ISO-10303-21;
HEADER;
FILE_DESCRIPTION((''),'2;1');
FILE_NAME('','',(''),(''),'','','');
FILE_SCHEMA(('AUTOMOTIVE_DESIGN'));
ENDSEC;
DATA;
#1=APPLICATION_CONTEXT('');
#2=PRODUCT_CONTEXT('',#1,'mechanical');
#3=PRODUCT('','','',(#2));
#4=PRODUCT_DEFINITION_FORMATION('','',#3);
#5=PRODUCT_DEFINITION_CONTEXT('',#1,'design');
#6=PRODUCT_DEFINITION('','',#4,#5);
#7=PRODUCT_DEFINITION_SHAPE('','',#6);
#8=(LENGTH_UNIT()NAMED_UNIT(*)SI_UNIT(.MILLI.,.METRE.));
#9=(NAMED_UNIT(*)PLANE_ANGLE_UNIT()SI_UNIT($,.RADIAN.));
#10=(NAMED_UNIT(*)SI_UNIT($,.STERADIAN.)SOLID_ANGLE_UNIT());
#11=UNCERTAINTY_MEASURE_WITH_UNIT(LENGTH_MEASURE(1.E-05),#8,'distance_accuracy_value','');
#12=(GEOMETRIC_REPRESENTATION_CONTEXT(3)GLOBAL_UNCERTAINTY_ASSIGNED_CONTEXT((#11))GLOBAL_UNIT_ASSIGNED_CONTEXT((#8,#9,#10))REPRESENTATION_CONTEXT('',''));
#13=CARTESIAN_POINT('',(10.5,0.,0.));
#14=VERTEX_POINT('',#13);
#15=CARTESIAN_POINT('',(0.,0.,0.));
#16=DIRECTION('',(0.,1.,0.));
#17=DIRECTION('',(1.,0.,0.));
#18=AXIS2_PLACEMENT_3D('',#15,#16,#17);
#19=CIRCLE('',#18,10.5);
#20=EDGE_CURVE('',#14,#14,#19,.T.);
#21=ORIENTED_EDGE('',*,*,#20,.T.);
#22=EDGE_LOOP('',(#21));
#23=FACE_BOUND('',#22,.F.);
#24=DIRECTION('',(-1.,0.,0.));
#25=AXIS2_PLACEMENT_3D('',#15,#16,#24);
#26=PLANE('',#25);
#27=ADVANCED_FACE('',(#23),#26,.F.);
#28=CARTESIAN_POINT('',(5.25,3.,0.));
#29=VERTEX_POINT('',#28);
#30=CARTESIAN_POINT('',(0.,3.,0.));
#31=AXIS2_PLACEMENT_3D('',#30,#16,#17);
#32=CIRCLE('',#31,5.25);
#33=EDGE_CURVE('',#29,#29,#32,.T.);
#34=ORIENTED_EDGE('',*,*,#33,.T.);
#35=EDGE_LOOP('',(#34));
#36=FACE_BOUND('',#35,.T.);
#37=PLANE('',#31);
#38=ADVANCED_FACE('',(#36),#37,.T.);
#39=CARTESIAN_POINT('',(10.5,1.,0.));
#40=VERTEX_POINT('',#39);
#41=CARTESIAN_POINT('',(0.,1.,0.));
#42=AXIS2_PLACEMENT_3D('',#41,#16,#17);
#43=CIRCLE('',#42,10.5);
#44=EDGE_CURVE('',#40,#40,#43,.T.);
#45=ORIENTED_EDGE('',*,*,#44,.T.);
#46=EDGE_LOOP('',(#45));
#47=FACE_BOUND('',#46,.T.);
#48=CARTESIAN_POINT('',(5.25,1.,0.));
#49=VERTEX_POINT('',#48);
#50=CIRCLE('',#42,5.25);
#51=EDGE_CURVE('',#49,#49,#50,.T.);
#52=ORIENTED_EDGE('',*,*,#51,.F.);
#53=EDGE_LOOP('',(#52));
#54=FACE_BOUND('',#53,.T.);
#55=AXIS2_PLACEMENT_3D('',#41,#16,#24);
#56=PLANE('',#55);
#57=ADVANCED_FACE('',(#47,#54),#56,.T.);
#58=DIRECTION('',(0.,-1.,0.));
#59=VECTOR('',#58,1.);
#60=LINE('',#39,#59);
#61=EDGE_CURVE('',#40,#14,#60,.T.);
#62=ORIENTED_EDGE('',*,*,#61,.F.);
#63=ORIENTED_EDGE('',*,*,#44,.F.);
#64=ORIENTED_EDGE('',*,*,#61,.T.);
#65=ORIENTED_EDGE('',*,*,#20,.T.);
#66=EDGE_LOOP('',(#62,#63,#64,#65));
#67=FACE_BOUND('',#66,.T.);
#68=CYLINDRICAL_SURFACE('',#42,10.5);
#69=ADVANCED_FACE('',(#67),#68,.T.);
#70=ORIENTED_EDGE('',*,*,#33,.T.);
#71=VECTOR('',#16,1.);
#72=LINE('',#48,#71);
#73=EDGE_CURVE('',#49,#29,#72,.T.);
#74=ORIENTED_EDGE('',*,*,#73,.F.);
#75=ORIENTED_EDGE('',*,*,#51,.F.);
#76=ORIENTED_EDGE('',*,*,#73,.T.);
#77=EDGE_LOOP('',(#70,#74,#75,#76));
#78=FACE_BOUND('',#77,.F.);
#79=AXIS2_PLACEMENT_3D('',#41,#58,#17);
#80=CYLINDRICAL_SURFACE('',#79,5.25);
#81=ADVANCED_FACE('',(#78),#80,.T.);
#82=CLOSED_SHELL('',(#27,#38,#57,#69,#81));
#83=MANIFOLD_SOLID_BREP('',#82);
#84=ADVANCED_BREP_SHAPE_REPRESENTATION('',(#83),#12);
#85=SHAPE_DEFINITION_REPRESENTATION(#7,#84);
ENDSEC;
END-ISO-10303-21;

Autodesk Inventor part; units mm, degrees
ref_plane "YZ Plane" through (0, 0, 0) normal (1, 0, 0) x (0, 1, 0)
ref_plane "XZ Plane" through (0, 0, 0) normal (0, 1, 0) x (-1, 0, 0)
ref_plane "XY Plane" through (0, 0, 0) normal (0, 0, 1) x (1, 0, 0)
sketch "Sketch1" plane through (0, 0, 0) normal (0, 1, 0) x (-1, 0, 0)
  circle A0 centre (0, 0) radius 13
  dimension "d0" = 26
extrude "Extrusion1" add sketch "Sketch1" along normal blind 1
sketch "Sketch2" plane through (0, 1, 0) normal (0, 1, 0) x (1, 0, 0)
  circle A0 centre (0, 0) radius 5.25
  dimension "d3" = 10.5
extrude "Extrusion2" add sketch "Sketch2" along normal blind 2
sketch "Sketch3" plane through (0, 1, 0) normal (0, 1, 0) x (1, 0, 0)
  circle A0 centre (0, 0) radius 5.25 projected
  circle A1 centre (0, 0) radius 13 projected
  circle A2 centre (0, 0) radius 10.5
  dimension "d6" = 21
extrude "Extrusion3" cut sketch "Sketch3" against normal blind 2 contours A1
properties part number "plastic washer for washer magnet bases"
